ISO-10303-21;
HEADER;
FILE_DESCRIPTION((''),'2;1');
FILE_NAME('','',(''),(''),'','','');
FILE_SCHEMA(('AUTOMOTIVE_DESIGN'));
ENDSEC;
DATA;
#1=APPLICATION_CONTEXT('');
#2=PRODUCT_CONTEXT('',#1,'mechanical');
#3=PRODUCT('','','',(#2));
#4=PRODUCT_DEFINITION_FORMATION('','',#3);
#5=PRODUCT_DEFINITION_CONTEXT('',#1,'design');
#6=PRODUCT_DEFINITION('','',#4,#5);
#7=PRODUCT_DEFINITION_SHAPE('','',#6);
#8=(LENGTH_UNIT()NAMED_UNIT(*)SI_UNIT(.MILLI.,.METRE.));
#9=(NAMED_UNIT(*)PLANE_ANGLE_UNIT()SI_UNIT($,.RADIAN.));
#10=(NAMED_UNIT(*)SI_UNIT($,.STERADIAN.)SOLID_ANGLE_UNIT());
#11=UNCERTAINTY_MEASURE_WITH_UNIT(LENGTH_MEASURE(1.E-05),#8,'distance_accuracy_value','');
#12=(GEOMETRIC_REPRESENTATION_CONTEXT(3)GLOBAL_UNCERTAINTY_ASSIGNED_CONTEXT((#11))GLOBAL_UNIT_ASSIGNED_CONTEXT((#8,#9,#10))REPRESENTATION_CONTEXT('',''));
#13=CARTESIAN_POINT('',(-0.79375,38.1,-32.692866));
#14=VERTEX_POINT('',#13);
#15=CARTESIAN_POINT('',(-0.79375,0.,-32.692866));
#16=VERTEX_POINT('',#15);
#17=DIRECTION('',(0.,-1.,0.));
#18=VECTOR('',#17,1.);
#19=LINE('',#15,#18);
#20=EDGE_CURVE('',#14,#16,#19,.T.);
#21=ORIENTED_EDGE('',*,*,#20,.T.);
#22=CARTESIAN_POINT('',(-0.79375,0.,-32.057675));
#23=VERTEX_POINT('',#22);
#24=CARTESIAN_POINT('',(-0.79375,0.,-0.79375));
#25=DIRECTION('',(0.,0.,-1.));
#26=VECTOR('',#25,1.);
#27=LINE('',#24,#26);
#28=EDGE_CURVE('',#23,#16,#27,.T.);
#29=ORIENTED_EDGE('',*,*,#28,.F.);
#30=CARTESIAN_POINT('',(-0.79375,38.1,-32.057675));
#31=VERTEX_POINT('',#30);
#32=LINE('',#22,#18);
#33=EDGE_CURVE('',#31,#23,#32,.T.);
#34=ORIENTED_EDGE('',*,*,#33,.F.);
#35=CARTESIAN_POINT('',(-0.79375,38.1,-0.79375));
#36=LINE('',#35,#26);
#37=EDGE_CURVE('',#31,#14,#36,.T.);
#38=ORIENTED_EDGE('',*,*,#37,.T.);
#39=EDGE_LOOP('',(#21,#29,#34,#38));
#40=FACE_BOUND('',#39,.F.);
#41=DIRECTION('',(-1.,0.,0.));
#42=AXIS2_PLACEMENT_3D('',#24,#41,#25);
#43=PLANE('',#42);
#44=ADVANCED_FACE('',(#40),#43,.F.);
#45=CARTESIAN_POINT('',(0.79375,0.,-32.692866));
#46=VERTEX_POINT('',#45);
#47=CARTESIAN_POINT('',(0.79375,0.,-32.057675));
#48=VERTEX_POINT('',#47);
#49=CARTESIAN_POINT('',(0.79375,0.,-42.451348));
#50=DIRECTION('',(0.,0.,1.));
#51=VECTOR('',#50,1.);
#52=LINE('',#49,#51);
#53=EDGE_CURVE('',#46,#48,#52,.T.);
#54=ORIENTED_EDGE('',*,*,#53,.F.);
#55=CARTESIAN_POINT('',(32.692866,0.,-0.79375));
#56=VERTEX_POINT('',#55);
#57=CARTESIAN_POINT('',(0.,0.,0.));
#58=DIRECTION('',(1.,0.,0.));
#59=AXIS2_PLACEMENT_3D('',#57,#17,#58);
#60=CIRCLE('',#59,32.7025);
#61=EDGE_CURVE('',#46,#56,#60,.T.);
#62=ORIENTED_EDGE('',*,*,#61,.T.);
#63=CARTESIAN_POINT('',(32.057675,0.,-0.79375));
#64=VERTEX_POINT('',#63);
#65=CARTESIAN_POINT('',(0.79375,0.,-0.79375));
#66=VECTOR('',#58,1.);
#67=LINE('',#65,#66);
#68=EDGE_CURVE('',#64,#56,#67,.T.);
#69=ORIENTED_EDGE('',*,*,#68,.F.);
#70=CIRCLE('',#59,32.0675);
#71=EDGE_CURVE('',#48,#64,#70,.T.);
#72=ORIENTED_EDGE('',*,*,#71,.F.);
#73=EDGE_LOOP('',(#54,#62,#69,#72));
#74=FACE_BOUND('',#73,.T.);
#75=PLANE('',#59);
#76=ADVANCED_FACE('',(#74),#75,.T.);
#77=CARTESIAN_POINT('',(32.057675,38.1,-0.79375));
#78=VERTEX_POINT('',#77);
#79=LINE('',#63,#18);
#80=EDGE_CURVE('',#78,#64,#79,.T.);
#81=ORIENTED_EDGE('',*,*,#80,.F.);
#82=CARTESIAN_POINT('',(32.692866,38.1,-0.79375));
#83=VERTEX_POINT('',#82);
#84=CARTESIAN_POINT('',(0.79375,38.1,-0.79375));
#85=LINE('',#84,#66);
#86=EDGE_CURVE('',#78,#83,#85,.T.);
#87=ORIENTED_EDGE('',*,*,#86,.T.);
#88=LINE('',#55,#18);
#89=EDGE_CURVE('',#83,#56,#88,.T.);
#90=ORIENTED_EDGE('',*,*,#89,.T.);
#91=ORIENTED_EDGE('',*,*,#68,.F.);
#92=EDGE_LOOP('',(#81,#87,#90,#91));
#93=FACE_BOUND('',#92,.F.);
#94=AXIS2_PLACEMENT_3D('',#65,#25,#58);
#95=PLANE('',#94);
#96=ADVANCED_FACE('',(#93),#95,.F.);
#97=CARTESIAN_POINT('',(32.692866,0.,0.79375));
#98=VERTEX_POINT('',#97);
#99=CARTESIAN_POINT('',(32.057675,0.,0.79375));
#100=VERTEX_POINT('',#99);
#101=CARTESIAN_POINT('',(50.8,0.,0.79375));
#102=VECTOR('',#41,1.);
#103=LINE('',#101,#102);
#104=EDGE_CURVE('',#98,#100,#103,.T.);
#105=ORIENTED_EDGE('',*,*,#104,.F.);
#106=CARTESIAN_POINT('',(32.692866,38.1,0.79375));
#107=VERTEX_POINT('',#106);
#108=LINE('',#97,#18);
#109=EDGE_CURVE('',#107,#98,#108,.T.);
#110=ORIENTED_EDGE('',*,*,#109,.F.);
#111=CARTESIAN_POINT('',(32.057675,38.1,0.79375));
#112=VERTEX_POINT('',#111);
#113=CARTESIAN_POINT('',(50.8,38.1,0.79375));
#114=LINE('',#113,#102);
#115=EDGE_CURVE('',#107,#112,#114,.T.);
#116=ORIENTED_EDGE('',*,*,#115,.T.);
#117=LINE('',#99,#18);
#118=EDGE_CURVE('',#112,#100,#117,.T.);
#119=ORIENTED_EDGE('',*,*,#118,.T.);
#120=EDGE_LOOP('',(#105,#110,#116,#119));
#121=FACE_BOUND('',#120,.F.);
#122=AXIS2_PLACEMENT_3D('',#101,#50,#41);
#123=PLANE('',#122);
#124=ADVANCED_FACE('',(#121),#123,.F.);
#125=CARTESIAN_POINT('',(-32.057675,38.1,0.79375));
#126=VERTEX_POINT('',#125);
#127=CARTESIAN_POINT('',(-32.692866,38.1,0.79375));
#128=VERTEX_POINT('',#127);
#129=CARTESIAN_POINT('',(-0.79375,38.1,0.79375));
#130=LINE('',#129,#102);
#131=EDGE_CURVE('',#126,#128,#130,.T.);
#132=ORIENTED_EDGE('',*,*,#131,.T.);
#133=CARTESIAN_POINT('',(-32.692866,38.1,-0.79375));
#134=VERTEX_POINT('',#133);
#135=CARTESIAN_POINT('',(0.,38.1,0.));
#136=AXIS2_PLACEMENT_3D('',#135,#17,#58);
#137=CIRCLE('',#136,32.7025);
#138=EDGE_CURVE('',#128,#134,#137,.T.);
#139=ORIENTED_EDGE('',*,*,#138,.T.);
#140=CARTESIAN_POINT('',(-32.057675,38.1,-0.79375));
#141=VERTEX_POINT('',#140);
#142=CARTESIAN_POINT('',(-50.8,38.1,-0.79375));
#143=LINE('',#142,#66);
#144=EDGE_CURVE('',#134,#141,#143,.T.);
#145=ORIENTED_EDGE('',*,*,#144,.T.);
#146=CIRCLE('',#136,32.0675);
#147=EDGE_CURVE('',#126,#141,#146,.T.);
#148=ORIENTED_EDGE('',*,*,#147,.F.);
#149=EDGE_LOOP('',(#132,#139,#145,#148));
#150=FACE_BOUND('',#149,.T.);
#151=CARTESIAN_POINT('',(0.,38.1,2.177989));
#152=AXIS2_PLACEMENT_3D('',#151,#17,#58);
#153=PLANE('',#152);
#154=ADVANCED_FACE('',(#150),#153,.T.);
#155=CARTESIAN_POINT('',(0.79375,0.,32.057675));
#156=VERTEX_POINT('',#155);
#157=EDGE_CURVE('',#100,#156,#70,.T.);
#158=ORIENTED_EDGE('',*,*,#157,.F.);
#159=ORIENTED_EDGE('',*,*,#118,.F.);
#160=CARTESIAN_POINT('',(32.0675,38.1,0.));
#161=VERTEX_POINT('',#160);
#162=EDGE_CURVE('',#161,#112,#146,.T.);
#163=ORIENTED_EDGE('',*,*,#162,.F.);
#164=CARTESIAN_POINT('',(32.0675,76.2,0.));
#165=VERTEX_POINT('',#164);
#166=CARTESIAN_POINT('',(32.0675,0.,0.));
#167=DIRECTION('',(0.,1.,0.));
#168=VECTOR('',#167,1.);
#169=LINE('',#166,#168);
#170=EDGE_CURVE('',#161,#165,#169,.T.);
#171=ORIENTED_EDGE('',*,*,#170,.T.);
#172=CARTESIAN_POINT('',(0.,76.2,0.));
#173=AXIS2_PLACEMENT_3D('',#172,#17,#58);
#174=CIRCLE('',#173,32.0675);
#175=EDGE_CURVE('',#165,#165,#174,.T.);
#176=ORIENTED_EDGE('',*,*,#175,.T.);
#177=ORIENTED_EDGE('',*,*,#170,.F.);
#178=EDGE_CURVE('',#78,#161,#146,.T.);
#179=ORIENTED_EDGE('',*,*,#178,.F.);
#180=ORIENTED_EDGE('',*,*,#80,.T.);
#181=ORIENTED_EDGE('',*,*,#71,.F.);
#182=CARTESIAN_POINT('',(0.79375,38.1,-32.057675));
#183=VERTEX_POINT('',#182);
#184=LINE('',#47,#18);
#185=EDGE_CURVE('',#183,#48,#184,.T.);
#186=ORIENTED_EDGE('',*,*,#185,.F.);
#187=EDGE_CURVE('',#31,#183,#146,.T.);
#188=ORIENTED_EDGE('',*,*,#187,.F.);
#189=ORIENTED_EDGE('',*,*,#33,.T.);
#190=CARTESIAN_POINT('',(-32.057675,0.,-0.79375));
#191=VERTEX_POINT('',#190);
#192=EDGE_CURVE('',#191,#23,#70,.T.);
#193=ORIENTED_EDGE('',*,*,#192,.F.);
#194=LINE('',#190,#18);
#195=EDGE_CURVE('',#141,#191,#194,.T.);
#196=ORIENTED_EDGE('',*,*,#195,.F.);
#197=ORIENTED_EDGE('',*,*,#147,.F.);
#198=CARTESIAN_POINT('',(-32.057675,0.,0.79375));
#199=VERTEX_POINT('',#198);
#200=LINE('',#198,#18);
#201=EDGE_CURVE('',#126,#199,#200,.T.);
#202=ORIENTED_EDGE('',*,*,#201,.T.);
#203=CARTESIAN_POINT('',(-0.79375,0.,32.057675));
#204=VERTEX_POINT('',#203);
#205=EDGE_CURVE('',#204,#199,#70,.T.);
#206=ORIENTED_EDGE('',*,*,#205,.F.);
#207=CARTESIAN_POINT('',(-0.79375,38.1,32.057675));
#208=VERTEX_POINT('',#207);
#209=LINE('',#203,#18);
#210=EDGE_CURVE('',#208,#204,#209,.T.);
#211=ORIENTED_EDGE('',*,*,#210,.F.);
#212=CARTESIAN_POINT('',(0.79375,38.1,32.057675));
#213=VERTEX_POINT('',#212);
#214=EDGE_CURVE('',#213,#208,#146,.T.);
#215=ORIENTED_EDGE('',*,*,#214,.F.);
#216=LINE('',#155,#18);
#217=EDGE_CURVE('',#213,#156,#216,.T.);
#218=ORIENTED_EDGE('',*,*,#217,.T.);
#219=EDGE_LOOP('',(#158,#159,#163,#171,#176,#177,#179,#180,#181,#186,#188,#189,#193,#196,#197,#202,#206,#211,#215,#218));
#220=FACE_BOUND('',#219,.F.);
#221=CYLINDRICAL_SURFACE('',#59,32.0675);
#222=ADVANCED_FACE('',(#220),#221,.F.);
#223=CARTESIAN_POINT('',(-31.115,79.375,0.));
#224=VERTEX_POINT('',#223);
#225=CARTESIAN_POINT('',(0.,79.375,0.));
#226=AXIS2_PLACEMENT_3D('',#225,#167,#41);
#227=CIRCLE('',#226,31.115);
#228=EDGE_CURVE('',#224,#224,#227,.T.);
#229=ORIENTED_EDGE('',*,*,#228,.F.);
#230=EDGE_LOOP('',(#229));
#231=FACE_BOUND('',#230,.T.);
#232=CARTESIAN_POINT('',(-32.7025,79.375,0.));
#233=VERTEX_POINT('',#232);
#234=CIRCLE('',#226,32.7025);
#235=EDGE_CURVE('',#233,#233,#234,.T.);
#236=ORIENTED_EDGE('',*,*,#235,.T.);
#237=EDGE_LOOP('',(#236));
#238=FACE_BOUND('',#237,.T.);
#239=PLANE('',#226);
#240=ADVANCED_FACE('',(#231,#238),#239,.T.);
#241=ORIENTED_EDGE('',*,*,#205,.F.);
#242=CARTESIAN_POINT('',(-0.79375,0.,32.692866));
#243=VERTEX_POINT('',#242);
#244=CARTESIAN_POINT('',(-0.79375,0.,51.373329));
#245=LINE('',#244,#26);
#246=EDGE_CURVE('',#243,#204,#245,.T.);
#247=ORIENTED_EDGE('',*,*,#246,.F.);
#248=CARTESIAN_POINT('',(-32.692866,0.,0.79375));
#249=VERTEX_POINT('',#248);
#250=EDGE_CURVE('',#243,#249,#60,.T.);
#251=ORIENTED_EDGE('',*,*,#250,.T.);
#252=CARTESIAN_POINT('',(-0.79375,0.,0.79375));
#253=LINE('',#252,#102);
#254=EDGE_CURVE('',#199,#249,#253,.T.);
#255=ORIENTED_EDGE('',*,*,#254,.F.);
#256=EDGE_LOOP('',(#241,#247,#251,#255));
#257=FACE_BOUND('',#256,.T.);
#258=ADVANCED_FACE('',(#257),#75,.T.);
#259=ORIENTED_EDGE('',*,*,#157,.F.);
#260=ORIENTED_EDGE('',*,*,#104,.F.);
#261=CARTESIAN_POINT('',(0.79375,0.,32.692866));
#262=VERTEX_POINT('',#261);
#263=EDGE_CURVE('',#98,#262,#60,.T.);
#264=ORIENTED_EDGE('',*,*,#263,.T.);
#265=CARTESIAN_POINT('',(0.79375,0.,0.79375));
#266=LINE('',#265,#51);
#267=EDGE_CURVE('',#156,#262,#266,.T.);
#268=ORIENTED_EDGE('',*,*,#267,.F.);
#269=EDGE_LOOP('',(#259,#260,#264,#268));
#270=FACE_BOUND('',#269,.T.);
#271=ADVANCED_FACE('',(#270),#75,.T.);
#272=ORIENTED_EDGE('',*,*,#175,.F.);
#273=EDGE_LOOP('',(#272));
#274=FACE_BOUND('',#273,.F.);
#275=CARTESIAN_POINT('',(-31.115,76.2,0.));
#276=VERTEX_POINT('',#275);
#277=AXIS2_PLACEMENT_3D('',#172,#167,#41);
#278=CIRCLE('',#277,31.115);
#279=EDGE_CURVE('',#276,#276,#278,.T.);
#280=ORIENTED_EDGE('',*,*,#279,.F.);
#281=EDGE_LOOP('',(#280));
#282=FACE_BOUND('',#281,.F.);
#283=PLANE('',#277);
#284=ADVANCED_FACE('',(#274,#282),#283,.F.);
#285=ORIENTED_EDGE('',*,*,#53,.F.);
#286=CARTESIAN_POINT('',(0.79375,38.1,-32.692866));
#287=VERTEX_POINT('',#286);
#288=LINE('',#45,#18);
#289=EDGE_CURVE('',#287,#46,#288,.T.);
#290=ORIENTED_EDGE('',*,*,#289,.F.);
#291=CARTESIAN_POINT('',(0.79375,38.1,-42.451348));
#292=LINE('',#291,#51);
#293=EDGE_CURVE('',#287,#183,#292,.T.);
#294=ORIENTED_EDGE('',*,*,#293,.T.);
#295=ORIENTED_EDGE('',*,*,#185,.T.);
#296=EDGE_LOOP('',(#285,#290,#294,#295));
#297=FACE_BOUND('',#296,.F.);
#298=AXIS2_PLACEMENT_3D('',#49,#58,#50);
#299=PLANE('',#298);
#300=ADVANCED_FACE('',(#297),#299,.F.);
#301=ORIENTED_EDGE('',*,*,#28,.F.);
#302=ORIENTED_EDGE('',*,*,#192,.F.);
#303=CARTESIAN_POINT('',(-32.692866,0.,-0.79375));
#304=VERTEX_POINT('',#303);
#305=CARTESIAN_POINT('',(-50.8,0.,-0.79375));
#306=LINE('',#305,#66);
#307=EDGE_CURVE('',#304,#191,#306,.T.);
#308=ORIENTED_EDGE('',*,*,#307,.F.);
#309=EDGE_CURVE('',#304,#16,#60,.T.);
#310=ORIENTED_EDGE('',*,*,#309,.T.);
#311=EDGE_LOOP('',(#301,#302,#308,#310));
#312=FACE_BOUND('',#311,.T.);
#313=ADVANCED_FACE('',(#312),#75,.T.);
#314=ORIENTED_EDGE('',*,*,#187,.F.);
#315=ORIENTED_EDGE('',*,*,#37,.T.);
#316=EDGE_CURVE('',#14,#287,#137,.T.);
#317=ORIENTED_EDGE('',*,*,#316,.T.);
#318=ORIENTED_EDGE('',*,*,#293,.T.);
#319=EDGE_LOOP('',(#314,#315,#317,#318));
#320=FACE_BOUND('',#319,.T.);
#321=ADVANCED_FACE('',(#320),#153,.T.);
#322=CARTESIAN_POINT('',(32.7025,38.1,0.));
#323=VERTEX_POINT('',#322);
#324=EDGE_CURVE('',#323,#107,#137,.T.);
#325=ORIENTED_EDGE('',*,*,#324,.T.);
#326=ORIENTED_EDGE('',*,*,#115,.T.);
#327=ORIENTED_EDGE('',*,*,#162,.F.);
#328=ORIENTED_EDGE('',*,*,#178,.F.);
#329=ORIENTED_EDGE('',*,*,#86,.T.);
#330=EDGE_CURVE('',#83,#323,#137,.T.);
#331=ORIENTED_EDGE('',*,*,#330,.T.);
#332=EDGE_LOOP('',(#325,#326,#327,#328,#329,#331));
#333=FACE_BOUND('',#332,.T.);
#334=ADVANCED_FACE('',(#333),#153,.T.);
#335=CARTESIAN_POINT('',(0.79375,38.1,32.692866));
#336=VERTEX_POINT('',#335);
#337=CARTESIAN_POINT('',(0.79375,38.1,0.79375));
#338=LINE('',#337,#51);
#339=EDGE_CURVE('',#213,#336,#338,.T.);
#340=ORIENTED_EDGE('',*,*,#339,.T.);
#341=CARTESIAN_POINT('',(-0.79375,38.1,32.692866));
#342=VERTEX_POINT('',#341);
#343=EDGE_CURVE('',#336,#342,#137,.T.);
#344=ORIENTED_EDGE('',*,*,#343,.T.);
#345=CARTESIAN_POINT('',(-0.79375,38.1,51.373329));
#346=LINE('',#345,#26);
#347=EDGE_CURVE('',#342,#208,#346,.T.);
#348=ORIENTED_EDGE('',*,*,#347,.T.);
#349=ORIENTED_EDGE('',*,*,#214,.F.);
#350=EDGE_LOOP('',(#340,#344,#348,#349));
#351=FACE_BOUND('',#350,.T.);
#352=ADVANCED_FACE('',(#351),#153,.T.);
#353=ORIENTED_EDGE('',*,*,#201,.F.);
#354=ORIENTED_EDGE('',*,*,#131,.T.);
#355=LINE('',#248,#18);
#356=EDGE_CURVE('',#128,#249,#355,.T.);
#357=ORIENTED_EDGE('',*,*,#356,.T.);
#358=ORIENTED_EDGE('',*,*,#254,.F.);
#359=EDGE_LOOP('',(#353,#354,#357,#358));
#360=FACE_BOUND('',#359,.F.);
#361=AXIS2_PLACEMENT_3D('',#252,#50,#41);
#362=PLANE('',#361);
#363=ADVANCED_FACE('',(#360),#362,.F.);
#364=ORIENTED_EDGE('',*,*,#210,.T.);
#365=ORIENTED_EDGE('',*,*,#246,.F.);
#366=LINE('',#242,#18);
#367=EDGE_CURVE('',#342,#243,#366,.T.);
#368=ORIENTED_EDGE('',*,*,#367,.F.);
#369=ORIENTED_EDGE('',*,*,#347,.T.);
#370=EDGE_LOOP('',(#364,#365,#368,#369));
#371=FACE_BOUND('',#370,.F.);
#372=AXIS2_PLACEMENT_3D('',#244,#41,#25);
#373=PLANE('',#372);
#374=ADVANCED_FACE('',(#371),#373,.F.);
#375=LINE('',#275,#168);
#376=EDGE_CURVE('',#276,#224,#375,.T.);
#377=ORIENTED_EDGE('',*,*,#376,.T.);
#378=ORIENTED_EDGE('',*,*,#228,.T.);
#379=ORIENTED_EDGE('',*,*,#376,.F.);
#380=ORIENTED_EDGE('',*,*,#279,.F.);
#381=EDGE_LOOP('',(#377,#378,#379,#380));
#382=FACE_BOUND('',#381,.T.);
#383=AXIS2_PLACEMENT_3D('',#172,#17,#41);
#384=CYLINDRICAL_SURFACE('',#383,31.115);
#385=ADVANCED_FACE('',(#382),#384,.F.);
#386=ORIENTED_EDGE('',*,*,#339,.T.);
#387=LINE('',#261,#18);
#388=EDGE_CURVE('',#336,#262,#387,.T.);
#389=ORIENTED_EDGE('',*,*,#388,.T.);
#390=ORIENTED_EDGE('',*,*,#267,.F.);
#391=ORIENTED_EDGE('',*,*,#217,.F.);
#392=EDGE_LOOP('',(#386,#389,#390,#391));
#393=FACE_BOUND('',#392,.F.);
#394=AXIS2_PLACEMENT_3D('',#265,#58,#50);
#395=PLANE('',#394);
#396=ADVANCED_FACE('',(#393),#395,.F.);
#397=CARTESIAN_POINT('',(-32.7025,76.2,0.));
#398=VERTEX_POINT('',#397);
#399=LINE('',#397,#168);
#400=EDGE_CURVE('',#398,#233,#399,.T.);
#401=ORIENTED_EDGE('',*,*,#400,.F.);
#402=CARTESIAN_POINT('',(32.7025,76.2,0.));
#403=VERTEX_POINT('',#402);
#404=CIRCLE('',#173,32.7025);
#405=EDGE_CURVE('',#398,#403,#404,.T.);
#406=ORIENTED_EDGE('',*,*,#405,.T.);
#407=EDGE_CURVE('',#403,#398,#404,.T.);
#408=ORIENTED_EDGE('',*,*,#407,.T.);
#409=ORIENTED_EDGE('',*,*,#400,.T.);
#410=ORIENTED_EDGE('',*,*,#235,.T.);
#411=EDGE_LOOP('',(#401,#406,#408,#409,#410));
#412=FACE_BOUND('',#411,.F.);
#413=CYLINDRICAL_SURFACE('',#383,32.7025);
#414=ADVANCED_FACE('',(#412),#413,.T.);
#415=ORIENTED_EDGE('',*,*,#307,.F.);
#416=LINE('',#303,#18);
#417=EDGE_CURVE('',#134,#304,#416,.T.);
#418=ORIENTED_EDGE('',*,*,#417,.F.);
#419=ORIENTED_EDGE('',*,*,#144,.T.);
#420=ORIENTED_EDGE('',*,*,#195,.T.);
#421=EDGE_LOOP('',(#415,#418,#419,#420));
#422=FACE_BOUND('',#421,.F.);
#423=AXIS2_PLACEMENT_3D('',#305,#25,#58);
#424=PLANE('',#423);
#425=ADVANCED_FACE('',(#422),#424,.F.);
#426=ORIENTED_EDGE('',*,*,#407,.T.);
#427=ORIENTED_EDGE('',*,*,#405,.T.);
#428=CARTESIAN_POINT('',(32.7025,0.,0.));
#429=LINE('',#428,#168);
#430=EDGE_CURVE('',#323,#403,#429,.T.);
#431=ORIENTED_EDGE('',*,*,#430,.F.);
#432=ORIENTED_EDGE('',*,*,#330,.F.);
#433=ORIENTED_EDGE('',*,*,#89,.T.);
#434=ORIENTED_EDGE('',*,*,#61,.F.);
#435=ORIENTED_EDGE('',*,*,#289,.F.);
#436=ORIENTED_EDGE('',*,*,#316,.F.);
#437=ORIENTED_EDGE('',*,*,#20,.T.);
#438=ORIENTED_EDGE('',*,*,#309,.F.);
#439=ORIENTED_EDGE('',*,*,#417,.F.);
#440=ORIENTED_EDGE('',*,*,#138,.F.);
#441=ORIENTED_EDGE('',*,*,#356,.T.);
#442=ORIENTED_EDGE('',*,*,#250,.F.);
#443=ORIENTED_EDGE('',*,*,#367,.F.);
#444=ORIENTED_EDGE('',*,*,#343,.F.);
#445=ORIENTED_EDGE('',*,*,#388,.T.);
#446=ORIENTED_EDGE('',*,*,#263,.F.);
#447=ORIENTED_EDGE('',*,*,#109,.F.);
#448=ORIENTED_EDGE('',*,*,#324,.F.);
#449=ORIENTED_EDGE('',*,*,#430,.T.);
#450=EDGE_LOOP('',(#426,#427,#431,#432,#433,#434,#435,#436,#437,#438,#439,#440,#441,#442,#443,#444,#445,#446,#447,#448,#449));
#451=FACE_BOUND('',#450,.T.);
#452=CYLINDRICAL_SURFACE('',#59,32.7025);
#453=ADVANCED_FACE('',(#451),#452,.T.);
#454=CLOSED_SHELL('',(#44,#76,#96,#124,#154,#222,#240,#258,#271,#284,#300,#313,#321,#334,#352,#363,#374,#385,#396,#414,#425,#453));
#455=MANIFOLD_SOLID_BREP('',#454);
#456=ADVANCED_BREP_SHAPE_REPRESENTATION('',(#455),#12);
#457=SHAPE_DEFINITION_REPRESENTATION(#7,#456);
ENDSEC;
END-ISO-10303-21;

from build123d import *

# Parameters (mm, degrees)
F0_R     = 32.7025
F0_R_2   = 32.0675
F1_DEPTH = 76.2
F3_DEPTH = 38.1
F4_R     = 32.7025
F4_R_2   = 31.115
F5_DEPTH = 3.175


with BuildPart() as f1:
    # F0 (on Front) → F1 (new body)
    with BuildSketch(Plane.XZ):
        Circle(F0_R)
        Circle(F0_R_2, mode=Mode.SUBTRACT)
    extrude(amount=-F1_DEPTH)

    # F2 (on Front) → F3 (cut)
    with BuildSketch(Plane.XZ):
        Polygon((0.79375, 0.79375), (0.79375, 51.373329), (-0.79375, 51.373329), (-0.79375, 0.79375), (-50.8, 0.79375), (-50.8, -0.79375), (-0.79375, -0.79375), (-0.79375, -42.451348), (0.79375, -42.451348), (0.79375, -0.79375), (50.8, -0.79375), (50.8, 0.79375), align=None)
    extrude(amount=-F3_DEPTH, mode=Mode.SUBTRACT)

    # F4 (on face) → F5 (join)
    with BuildSketch(Plane(origin=(0, 76.2, 0), x_dir=(-1, 0, 0), z_dir=(0, 1, 0))):
        Circle(F4_R)
        Circle(F4_R_2, mode=Mode.SUBTRACT)
    extrude(amount=F5_DEPTH)


solid = f1.part
